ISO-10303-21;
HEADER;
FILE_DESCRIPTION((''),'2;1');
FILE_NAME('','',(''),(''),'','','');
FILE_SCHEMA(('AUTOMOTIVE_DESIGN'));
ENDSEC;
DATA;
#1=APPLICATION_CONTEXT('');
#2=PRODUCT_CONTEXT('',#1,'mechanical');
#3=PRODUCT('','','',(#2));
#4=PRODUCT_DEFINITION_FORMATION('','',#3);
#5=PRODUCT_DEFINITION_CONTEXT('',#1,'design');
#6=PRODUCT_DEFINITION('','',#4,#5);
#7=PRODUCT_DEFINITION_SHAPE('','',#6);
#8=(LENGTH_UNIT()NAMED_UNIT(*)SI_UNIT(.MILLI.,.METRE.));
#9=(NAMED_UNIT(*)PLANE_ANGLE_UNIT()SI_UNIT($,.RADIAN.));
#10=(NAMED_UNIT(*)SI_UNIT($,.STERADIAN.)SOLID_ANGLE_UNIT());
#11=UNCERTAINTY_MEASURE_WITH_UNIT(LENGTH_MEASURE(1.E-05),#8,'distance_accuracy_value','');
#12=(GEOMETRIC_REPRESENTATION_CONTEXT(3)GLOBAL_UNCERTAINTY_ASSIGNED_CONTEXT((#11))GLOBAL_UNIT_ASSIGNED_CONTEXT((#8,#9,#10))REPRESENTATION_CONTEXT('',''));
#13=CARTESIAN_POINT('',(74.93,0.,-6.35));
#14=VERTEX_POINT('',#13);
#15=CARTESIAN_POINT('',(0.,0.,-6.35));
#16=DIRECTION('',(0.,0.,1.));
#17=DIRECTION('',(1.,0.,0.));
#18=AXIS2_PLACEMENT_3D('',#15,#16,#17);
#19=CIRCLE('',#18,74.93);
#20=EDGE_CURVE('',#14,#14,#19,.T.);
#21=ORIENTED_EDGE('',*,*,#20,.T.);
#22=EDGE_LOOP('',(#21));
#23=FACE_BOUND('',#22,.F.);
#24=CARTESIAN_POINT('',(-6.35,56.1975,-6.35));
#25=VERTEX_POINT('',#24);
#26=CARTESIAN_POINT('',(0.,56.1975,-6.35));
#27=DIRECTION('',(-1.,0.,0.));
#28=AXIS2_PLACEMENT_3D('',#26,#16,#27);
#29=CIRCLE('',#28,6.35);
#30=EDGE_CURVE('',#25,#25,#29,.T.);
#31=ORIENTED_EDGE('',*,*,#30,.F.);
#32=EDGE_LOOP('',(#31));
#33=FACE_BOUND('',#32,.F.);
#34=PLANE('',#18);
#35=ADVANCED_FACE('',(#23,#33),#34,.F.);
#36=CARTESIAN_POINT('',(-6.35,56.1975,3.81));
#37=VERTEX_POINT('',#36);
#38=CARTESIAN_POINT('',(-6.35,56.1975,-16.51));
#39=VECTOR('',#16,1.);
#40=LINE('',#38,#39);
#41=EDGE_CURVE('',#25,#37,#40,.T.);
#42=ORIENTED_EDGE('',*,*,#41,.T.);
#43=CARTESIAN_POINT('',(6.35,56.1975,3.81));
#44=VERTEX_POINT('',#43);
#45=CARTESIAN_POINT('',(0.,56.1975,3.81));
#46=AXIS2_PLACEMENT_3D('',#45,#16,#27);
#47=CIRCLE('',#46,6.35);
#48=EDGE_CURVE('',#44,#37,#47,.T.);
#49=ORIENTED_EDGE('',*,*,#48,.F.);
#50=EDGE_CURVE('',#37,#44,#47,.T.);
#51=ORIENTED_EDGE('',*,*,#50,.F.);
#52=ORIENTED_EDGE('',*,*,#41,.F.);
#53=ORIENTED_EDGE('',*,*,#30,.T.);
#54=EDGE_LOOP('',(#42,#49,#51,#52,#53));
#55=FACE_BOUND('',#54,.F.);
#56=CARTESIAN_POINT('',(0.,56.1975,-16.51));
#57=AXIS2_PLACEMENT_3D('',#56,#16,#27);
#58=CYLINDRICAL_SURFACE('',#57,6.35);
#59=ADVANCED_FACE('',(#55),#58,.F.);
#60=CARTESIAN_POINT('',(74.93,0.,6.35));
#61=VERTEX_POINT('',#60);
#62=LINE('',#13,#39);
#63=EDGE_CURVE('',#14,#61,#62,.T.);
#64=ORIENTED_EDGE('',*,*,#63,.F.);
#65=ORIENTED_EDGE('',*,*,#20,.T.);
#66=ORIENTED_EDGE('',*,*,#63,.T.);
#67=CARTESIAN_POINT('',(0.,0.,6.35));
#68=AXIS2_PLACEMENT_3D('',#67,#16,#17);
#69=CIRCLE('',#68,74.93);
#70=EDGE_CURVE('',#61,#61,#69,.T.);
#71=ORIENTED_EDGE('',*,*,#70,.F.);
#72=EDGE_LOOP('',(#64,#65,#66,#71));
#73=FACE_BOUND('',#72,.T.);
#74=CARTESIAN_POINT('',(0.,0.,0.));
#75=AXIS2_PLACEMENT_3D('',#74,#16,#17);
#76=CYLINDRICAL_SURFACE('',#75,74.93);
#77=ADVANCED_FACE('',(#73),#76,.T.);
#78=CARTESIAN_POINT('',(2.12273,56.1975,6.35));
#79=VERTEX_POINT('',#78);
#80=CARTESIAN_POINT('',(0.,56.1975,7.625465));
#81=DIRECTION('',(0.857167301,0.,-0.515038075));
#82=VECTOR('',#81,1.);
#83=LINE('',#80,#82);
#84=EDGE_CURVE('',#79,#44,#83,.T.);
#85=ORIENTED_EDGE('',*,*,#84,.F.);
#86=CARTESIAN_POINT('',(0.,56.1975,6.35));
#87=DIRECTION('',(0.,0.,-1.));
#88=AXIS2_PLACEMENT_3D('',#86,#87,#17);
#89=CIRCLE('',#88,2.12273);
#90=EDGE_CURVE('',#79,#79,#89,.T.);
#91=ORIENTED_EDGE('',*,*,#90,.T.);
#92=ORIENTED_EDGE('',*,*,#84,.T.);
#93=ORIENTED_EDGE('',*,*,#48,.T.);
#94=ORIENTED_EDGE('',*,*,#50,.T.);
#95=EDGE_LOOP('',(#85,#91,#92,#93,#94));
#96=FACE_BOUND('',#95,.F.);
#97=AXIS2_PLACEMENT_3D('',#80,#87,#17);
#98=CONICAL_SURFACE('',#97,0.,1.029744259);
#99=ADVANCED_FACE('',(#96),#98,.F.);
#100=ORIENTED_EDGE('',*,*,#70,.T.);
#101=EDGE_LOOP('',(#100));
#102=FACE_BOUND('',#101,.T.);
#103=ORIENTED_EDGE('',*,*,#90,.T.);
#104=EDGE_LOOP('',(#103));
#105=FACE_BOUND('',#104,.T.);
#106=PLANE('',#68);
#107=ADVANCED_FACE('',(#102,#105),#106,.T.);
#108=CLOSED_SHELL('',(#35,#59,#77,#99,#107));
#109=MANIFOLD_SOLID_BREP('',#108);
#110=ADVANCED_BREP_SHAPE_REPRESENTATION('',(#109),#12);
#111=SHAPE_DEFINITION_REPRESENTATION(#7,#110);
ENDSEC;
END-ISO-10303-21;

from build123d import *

# Parameters (mm, degrees)
F0_R     = 74.93
F1_DEPTH = 6.35
F3_D     = 12.7
F3_DEPTH = 10.16
F3_TIP   = 3.8154649308


with BuildPart() as f1:
    # F0 (on Top) → F1 (new body, symmetric)
    with BuildSketch(Plane.XY):
        Circle(F0_R)
    extrude(amount=F1_DEPTH, both=True)

    # F3
    with Locations(Plane(origin=(0, 0, -6.35), x_dir=(1, 0, 0), z_dir=(0, 0, -1))):
        with Locations((0, -56.1975)):
            Hole(F3_D / 2, depth=F3_DEPTH)
            with Locations((0, 0, -(F3_DEPTH + F3_TIP / 2))):  # 118° drill point
                Cone(0, F3_D / 2, F3_TIP, mode=Mode.SUBTRACT)


solid = f1.part
